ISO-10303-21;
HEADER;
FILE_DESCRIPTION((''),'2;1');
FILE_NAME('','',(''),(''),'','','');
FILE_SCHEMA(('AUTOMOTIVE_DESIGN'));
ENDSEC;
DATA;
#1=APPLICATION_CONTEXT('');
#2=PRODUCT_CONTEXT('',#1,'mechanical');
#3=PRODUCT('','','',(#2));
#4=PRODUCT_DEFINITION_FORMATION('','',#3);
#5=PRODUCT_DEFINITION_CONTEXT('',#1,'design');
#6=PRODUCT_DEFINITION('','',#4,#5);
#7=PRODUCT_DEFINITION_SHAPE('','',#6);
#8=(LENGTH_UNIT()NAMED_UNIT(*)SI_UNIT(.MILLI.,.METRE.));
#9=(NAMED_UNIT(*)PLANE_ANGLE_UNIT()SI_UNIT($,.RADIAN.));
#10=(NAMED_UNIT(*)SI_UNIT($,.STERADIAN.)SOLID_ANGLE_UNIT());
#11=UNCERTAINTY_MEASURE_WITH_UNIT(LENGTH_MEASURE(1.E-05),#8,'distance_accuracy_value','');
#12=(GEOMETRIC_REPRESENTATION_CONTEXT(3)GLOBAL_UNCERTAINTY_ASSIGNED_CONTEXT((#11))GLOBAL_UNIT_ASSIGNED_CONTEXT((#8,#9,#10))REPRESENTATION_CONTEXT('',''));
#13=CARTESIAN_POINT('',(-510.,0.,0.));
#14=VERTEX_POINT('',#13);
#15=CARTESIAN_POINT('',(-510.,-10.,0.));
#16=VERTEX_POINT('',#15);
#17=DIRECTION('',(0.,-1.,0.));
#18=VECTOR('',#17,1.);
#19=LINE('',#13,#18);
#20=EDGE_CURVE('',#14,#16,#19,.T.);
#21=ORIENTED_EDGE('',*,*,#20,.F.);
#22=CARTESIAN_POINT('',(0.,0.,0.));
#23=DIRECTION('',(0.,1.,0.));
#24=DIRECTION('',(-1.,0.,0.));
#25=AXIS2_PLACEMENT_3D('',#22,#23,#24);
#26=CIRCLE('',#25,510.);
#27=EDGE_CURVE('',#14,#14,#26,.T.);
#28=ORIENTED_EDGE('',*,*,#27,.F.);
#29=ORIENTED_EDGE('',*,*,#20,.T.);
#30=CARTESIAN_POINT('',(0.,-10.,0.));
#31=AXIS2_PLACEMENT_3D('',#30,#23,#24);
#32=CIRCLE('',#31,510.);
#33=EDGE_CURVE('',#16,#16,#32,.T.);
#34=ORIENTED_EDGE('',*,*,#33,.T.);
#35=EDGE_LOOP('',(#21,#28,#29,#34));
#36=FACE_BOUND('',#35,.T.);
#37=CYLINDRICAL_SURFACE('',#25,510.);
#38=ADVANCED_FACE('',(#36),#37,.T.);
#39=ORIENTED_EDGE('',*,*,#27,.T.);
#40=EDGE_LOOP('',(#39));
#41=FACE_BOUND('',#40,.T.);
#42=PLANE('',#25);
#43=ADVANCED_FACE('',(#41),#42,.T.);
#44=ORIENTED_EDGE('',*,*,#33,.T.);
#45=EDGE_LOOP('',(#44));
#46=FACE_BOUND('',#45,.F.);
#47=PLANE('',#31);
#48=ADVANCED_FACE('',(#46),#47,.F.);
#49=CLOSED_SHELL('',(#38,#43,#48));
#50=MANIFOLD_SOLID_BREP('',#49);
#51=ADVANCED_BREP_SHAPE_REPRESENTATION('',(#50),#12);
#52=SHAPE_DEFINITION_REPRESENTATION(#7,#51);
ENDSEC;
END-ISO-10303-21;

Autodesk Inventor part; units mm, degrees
ref_plane "YZ Plane" through (0, 0, 0) normal (1, 0, 0) x (0, 1, 0)
ref_plane "XZ Plane" through (0, 0, 0) normal (0, 1, 0) x (-1, 0, 0)
ref_plane "XY Plane" through (0, 0, 0) normal (0, 0, 1) x (1, 0, 0)
sketch "Sketch1" plane through (0, 0, 0) normal (0, 1, 0) x (-1, 0, 0)
  circle A0 centre (0, 0) radius 510
  dimension "d0" = 1020
extrude "Extrusion1" add sketch "Sketch1" against normal blind 10
equation "\"BendReliefWidth\" = Thickness"
equation "\"BendReliefDepth\" = 0.5 * Thickness"
equation "\"CornerReliefSize\" = 4 * Thickness"
equation "\"MinimumRemnant\" = 2 * Thickness"
equation "\"TransitionRadius\" = BendRadius"
equation "\"JacobiRadiusSize\" = BendRadius"
equation "\"GapSize\" = Thickness"
equation "\"Thickness\" = 2"
equation "\"BendRadius\" = 2.75"
properties part number "BSH 081 barrel bottom" material "Stainless Steel"
